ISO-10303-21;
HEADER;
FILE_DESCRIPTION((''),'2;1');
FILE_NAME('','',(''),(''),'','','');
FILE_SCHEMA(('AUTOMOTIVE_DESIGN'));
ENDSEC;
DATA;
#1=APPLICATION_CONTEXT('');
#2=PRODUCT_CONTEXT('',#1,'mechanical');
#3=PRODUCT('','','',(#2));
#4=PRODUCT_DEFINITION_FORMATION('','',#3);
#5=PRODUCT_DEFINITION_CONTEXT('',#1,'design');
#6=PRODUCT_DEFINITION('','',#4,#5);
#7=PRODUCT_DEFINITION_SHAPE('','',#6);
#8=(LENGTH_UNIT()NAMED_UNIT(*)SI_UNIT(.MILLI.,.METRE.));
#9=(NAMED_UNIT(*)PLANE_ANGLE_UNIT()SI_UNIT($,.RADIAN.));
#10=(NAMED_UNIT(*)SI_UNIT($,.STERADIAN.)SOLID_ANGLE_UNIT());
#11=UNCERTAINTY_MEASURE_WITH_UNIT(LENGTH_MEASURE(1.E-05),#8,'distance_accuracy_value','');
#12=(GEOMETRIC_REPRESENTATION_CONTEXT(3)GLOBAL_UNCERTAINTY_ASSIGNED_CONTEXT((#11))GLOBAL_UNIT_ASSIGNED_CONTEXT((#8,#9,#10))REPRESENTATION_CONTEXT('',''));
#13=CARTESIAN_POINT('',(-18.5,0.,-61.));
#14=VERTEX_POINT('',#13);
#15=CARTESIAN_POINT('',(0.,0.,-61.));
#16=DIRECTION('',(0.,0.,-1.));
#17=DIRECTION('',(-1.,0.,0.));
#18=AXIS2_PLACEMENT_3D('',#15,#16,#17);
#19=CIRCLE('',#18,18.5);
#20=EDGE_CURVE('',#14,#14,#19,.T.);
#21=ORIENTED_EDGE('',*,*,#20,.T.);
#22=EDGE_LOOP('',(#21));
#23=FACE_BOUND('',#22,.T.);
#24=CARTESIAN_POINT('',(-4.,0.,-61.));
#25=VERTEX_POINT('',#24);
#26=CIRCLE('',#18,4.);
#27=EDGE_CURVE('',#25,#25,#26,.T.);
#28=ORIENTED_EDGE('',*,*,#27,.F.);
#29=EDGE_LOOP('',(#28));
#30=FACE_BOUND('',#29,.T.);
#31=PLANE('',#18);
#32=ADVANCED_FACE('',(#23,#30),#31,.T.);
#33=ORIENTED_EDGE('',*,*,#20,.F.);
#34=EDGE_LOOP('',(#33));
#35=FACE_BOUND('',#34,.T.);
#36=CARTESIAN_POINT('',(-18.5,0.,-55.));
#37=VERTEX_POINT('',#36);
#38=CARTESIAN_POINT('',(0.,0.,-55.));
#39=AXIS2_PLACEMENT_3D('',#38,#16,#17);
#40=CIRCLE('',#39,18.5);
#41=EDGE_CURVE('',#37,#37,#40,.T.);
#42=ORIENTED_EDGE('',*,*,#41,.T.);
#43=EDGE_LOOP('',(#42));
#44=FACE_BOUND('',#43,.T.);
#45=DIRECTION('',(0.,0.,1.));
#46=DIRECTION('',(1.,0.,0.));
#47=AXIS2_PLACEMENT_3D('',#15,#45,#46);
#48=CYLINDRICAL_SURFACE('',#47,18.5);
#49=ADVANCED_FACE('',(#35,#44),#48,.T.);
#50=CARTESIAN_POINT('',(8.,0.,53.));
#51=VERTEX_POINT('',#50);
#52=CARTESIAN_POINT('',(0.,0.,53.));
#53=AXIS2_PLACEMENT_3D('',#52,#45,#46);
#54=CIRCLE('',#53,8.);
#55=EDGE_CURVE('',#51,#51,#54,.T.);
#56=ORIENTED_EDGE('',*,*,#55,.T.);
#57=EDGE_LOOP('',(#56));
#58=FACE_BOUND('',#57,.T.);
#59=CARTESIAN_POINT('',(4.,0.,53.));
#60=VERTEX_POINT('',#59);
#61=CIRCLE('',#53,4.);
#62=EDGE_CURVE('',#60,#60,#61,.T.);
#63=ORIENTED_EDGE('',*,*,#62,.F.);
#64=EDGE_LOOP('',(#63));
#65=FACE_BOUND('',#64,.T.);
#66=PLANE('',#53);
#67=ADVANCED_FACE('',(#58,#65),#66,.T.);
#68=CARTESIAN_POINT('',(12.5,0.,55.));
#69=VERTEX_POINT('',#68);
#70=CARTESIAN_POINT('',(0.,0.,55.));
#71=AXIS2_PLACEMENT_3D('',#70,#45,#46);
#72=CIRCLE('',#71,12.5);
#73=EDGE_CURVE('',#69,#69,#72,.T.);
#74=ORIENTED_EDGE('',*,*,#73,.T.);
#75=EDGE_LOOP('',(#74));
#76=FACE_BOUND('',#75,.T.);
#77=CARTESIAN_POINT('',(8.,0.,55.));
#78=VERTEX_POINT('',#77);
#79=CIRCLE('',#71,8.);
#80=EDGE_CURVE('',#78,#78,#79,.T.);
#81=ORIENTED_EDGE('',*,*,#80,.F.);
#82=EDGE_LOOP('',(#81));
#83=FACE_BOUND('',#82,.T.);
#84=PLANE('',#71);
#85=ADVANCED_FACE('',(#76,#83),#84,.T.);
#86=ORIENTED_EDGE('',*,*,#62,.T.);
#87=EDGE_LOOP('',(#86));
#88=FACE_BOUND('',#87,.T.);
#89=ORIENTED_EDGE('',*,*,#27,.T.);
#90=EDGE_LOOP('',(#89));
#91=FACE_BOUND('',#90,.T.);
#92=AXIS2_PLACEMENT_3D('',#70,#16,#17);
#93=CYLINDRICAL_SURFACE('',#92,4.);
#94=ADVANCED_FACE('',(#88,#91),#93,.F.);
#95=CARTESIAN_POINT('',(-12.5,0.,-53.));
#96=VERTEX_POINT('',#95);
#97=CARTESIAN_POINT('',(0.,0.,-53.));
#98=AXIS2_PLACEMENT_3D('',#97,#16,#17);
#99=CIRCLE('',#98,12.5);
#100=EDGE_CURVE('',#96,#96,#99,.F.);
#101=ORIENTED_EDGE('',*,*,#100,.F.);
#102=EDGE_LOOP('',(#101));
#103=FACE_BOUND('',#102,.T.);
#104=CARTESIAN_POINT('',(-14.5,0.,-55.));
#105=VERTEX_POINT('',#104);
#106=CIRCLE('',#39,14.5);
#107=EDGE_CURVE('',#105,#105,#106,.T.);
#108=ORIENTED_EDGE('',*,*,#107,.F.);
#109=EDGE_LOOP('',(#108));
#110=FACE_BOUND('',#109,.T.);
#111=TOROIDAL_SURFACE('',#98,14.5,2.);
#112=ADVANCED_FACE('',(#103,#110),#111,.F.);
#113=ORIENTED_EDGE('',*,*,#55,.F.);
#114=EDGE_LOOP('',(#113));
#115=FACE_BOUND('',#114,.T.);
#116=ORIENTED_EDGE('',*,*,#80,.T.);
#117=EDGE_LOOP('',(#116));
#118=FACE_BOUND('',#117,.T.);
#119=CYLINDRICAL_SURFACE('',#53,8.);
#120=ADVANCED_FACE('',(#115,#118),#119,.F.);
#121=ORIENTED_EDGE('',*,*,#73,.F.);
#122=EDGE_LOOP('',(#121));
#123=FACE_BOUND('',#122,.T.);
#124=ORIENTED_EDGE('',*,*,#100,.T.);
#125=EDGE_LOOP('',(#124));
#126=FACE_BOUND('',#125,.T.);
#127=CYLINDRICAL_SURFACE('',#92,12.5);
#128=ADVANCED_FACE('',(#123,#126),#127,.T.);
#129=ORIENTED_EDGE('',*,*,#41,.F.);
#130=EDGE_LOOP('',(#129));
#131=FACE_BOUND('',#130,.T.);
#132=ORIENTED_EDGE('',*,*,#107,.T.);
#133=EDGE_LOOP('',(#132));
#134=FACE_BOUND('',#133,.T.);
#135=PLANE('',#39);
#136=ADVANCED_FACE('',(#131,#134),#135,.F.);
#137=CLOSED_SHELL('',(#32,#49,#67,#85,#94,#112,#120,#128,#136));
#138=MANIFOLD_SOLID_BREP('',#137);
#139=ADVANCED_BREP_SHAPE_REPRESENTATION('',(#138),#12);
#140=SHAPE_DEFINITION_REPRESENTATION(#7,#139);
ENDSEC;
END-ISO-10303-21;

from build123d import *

# Parameters (mm, degrees)
SKETCH_2_R          = 12.5
SKETCH_2_R_2        = 4
EXTRUDE_1_DEPTH     = 55
SKETCH_3_R          = 8
CUT_EXTRUDE_1_DEPTH = 2
EXTRUDE_START       = 6
SKETCH_5_R          = 18.5
SKETCH_5_R_2        = 4
EXTRUDE_2_DEPTH     = 6
FILLET_1_R          = 2


with BuildPart() as part:
    # 草图2 → 凸台-拉伸1 (new, symmetric)
    with BuildSketch(Plane.XY):
        Circle(SKETCH_2_R)
        Circle(SKETCH_2_R_2, mode=Mode.SUBTRACT)
    extrude(amount=EXTRUDE_1_DEPTH, both=True)

    # 草图3 → 切除-拉伸1 (cut)
    with BuildSketch(Plane.XY.offset(55)):
        Circle(SKETCH_3_R)
    extrude(amount=-CUT_EXTRUDE_1_DEPTH, mode=Mode.SUBTRACT)

    # 草图5 → 凸台-拉伸2 (add)
    with BuildSketch(Plane(origin=(0, 0, -55), x_dir=(-1, 0, 0), z_dir=(0, 0, -1)).offset(EXTRUDE_START)):
        Circle(SKETCH_5_R)
        Circle(SKETCH_5_R_2, mode=Mode.SUBTRACT)
    extrude(amount=-EXTRUDE_2_DEPTH)

    # 圆角1
    fillet_1_edges = [part.edges().sort_by_distance(p)[0] for p in [
        (-12.5, 0, -55),
    ]]
    fillet(fillet_1_edges, radius=FILLET_1_R)


solid = part.part
